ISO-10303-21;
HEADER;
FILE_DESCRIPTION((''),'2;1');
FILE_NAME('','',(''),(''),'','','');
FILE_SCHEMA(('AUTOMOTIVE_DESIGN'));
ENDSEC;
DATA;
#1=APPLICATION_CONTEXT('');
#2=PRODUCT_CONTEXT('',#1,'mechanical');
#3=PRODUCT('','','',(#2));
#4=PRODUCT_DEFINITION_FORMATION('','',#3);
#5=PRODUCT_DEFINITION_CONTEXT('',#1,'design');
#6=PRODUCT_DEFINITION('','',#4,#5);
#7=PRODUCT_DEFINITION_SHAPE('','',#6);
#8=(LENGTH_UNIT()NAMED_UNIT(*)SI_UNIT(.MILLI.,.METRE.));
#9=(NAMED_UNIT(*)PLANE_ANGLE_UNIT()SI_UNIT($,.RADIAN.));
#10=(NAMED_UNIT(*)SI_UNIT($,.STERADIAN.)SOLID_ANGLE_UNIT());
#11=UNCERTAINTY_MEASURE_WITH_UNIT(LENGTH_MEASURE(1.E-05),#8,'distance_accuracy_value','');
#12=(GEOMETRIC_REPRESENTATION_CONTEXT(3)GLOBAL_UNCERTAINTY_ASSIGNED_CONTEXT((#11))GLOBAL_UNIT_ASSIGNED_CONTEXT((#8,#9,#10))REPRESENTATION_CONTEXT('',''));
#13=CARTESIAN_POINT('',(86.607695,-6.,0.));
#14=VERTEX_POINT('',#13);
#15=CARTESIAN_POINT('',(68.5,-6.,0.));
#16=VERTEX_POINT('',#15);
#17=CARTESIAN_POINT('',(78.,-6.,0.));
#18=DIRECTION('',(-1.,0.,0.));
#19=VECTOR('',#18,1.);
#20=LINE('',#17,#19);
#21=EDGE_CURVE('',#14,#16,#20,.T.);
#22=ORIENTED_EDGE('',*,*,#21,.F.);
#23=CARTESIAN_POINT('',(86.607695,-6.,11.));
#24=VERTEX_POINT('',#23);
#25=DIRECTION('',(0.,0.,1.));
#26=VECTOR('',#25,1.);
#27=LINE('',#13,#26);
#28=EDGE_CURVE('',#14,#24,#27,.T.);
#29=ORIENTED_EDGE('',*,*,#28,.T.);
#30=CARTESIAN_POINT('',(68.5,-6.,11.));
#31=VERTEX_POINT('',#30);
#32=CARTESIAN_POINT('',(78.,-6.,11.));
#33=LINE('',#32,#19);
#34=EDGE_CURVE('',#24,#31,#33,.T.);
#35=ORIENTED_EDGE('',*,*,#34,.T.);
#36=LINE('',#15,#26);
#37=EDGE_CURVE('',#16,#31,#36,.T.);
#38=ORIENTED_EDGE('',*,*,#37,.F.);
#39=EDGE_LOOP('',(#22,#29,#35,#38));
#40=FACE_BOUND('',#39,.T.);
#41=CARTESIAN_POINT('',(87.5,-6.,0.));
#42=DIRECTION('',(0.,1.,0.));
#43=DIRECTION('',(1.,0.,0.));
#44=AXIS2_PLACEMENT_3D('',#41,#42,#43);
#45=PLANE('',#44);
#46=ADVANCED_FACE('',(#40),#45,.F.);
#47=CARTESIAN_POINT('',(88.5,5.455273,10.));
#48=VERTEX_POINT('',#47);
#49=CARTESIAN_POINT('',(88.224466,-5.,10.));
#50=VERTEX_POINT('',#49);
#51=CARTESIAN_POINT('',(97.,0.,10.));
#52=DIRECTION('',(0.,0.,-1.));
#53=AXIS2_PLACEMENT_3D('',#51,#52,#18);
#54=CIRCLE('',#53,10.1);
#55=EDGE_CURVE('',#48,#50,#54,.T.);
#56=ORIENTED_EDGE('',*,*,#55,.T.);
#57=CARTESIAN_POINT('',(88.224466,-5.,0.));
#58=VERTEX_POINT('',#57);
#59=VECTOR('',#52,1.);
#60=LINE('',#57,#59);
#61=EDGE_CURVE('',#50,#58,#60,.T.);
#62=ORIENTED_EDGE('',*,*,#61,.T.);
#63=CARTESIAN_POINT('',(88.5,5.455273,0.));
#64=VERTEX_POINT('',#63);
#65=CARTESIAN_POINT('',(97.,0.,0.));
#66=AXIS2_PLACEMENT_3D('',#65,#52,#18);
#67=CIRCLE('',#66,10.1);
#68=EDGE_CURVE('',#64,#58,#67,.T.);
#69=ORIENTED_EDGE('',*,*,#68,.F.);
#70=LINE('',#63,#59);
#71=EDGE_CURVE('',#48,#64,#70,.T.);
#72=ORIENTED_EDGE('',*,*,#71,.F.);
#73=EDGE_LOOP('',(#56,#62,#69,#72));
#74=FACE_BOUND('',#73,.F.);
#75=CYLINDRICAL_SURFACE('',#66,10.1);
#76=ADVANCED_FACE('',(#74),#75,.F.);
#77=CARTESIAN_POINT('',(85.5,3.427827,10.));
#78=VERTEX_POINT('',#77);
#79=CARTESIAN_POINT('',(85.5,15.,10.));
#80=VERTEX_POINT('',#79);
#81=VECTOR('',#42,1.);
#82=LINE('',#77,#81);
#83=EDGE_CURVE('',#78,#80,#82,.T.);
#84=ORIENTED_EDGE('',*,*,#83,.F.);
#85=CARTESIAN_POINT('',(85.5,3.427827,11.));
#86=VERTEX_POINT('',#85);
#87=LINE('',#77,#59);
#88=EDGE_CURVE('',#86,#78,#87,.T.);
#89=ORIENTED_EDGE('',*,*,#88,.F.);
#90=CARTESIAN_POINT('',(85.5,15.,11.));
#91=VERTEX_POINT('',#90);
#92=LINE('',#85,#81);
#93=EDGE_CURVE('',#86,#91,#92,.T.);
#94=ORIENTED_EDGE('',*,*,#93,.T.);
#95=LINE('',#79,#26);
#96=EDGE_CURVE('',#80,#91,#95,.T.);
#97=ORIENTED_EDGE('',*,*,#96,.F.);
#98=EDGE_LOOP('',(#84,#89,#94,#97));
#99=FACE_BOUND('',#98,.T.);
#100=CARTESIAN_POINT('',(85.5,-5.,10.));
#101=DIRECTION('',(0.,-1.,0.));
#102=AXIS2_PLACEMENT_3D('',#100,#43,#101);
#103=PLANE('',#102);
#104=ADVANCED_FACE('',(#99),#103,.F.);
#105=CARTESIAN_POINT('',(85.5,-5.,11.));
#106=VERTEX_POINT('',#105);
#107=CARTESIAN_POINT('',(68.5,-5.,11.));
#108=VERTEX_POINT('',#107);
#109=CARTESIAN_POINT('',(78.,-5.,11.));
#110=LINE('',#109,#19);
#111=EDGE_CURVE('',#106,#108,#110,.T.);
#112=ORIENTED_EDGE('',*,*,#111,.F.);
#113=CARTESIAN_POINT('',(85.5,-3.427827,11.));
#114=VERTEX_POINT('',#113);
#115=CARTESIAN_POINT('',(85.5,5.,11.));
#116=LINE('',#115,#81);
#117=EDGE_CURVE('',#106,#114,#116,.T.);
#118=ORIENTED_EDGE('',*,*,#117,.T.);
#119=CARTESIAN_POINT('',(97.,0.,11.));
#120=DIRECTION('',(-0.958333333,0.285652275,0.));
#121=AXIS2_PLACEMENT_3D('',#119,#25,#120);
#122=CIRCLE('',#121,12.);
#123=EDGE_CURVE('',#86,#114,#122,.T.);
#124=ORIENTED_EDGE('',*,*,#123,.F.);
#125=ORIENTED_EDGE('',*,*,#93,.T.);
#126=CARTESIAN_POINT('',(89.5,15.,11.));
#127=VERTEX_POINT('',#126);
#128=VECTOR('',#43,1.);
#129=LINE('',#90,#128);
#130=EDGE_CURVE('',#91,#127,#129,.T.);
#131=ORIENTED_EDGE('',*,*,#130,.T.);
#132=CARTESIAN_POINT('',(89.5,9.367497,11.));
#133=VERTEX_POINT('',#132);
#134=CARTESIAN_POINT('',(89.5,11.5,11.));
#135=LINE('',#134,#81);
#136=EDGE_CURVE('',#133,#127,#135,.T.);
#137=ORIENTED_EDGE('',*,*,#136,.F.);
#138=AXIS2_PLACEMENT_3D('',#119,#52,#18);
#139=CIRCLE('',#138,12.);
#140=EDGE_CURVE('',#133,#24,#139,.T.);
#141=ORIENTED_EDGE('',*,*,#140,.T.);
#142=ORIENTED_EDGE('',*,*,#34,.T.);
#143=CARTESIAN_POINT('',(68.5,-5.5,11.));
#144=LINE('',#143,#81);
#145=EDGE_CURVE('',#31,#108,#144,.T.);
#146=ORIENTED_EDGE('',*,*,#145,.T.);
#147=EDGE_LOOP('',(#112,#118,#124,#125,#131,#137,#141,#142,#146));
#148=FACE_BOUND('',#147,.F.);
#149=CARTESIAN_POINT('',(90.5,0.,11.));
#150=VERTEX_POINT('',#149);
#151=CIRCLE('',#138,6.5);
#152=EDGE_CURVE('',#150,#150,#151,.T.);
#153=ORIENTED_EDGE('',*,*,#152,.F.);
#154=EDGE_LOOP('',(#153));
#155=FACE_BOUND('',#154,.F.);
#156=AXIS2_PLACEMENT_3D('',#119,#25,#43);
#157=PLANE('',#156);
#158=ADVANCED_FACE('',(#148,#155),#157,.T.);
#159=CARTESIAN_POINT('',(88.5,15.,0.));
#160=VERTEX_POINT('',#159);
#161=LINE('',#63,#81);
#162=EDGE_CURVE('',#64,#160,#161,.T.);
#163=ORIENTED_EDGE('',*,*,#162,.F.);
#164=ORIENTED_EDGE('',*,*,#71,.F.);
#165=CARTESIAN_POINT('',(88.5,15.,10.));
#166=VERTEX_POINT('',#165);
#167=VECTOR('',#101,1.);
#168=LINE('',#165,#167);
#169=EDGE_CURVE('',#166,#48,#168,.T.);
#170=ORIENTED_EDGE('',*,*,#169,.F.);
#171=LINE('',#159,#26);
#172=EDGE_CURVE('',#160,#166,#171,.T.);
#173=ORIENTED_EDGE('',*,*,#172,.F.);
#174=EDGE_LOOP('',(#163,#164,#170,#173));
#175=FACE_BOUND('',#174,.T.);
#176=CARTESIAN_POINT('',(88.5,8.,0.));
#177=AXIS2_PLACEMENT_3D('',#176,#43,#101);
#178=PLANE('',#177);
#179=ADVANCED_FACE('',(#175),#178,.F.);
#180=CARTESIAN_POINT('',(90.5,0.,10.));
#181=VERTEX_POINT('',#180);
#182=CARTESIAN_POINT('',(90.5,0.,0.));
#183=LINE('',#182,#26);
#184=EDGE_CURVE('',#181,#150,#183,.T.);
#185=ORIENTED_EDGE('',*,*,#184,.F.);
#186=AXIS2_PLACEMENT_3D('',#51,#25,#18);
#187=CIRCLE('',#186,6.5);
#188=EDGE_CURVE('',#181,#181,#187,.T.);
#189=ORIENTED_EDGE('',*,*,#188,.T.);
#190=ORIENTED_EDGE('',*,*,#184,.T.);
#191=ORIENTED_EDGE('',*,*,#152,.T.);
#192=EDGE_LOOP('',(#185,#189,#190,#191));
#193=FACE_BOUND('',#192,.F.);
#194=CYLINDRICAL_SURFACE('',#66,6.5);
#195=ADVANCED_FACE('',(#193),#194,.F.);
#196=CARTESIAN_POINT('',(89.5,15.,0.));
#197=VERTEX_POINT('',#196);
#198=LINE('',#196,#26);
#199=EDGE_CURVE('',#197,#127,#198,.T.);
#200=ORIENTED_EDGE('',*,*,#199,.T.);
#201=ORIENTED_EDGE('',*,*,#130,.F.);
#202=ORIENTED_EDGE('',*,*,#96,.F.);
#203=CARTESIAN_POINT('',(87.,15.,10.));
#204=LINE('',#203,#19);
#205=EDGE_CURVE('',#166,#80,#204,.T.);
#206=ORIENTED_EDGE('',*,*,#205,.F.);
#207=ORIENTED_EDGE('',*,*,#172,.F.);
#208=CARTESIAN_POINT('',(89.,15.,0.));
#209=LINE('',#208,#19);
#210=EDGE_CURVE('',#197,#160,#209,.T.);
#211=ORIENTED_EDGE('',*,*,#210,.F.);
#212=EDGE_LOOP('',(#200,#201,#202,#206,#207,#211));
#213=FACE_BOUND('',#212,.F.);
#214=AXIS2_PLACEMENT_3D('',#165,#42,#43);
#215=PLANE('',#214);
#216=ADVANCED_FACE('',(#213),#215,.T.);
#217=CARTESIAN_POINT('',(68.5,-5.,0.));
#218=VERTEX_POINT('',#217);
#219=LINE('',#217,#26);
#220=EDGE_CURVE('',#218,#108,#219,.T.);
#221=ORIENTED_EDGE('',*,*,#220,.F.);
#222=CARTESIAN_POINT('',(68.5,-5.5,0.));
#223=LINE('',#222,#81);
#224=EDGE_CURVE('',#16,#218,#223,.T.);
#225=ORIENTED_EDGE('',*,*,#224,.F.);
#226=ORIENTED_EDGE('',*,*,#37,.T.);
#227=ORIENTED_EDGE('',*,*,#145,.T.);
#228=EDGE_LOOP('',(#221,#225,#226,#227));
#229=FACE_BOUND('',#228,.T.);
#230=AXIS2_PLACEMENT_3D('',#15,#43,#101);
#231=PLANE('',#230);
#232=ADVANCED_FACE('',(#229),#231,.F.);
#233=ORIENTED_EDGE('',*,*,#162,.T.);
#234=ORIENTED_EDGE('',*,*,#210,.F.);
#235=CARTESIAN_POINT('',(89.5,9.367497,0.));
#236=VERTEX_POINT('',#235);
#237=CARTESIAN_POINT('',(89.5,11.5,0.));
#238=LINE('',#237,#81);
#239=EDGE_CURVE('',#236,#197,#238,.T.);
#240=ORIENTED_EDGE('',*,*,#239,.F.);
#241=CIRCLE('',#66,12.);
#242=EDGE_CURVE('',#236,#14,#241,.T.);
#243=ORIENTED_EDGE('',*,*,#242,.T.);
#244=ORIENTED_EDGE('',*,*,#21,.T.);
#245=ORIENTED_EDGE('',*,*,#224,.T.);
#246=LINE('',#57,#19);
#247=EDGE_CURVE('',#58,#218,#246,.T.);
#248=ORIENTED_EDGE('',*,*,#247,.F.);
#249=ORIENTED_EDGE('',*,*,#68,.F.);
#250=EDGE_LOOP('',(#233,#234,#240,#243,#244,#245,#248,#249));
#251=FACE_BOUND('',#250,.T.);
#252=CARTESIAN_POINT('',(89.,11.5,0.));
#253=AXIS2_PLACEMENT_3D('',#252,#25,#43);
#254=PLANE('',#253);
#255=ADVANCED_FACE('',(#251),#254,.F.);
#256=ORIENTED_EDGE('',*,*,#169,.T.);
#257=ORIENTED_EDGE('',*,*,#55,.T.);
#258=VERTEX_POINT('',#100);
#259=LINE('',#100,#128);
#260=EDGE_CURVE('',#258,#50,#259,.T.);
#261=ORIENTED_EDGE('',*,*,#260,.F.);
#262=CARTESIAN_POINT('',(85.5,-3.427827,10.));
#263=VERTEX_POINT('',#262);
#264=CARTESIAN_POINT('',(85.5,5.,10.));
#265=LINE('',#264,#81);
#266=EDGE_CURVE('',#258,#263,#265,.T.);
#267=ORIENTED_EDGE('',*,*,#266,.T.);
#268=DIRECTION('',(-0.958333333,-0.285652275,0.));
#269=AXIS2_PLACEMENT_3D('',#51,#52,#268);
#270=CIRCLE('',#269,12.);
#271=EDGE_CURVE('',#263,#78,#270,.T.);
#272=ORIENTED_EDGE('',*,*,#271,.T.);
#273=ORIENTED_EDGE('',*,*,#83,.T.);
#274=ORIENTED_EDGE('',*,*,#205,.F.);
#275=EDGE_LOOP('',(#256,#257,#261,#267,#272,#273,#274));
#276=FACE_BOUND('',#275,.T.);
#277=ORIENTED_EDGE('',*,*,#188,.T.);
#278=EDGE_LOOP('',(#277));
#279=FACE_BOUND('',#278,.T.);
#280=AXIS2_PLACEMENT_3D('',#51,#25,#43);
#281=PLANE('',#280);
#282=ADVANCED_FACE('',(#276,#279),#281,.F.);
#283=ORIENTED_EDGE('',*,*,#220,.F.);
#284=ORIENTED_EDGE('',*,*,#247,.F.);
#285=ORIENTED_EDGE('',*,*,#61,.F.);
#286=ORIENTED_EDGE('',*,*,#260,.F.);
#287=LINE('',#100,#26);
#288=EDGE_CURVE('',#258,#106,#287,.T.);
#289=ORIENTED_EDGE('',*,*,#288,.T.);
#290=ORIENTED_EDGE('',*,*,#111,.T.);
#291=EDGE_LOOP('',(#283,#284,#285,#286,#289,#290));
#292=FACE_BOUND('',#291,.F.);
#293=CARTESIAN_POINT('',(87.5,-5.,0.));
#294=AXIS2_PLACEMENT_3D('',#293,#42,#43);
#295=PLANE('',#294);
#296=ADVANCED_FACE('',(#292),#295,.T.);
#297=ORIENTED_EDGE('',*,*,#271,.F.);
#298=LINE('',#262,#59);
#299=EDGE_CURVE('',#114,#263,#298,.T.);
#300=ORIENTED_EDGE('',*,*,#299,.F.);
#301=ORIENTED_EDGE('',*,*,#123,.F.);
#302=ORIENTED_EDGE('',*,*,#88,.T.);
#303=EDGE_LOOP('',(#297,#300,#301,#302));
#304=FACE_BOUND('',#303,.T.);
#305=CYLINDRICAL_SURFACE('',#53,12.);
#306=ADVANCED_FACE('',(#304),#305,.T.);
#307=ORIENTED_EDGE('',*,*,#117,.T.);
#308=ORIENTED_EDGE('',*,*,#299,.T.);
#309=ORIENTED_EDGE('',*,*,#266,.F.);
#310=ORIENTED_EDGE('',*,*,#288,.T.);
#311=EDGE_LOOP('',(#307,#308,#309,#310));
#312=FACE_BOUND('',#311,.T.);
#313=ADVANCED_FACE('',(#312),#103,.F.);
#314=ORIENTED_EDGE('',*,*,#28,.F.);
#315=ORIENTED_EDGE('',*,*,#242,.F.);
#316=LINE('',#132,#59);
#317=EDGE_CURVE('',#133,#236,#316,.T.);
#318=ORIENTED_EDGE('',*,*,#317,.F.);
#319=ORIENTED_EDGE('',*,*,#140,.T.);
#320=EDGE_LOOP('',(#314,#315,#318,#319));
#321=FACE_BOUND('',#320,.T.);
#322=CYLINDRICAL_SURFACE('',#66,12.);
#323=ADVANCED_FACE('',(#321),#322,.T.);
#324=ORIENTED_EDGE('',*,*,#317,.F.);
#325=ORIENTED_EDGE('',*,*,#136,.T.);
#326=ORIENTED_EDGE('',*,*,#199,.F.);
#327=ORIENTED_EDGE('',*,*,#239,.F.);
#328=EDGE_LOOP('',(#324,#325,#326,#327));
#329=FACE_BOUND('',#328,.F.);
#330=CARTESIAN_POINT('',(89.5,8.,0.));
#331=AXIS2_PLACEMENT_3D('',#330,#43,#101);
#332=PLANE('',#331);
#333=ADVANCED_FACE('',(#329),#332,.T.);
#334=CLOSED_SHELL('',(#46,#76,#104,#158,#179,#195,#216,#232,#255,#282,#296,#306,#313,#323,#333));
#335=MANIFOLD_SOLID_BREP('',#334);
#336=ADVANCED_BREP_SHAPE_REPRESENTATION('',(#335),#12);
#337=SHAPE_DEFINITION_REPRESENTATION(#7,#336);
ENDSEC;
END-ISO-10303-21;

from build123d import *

# Parameters (mm, degrees)
CYLINDER040_R     = 6.5
CYLINDER040_DEPTH = 11
CYLINDER026_R     = 2.5
CYLINDER026_DEPTH = 11
CYLINDER025_R     = 2.5
CYLINDER025_DEPTH = 11
BOX006_W          = 1
BOX006_H          = 7
BOX006_DEPTH      = 11
BOX_W             = 3
BOX_H             = 20
BOX_DEPTH         = 1
CYLINDER024_R     = 12
CYLINDER024_DEPTH = 1
PAD011_DEPTH      = 10
BOX005_W          = 177
BOX005_H          = 100
BOX005_DEPTH      = 10
CYLINDER018_R     = 7.5
CYLINDER018_DEPTH = 10
CYLINDER016_R     = 10
CYLINDER016_DEPTH = 10
CYLINDER017_R     = 7.5
CYLINDER017_DEPTH = 10
CYLINDER019_R     = 10
CYLINDER019_DEPTH = 10
PAD009_DEPTH      = 6.5
PAD008_DEPTH      = 4
PAD010_DEPTH      = 10
CYLINDER021_R     = 7.5
CYLINDER021_DEPTH = 10
CYLINDER020_R     = 10
CYLINDER020_DEPTH = 10
CYLINDER022_R     = 7.5
CYLINDER022_DEPTH = 10
CYLINDER023_R     = 10
CYLINDER023_DEPTH = 10
TUBE_R            = 12
TUBE_R_2          = 10.1
TUBE_DEPTH        = 10
BOX007_W          = 19
BOX007_H          = 1
BOX007_DEPTH      = 11


with BuildPart() as cilindro040:
    # Cylinder040 → Cylinder040 (new body)
    with BuildSketch(Plane(origin=(-97, 0, 0), x_dir=(1, 0, 0), z_dir=(0, 0, 1))):
        Circle(CYLINDER040_R)
    extrude(amount=CYLINDER040_DEPTH)


with BuildPart() as cilindro026:
    # Cylinder026 → Cylinder026 (new body)
    with BuildSketch(Plane(origin=(-83, 10, 0), x_dir=(1, 0, 0), z_dir=(0, 0, 1))):
        Circle(CYLINDER026_R)
    extrude(amount=CYLINDER026_DEPTH)


with BuildPart() as cilindro025:
    # Cylinder025 → Cylinder025 (new body)
    with BuildSketch(Plane(origin=(-75, 0, 0), x_dir=(1, 0, 0), z_dir=(0, 0, 1))):
        Circle(CYLINDER025_R)
    extrude(amount=CYLINDER025_DEPTH)


with BuildPart() as cubo002:
    # Box006 → Box006 (new body)
    with BuildSketch(Plane(origin=(-89.5, 8, 0), x_dir=(1, 0, 0), z_dir=(0, 0, 1))):
        with Locations((0.5, 3.5)):
            Rectangle(BOX006_W, BOX006_H)
    extrude(amount=BOX006_DEPTH)


with BuildPart() as cubo001:
    # Box → Box (new body)
    with BuildSketch(Plane(origin=(-88.5, -5, 10), x_dir=(1, 0, 0), z_dir=(0, 0, 1))):
        with Locations((1.5, 10)):
            Rectangle(BOX_W, BOX_H)
    extrude(amount=BOX_DEPTH)


with BuildPart() as cilindro024:
    # Cylinder024 → Cylinder024 (new body)
    with BuildSketch(Plane(origin=(-97, 0, 10), x_dir=(1, 0, 0), z_dir=(0, 0, 1))):
        Circle(CYLINDER024_R)
    extrude(amount=CYLINDER024_DEPTH)


with BuildPart() as body008:
    # Sketch011 → Pad011 (new body)
    with BuildSketch(Plane.XY):
        Polygon((8.5, 4.907477), (0, 9.814955), (-8.5, 4.907477), (-8.5, -4.907477), (0, -9.814955), (8.5, -4.907477), align=None)
    extrude(amount=PAD011_DEPTH)


with BuildPart() as body008_1:
    # Body008 placement: moved
    add(body008.part.moved(Location((0, 45.1, 0))))


with BuildPart() as cut018:
    # Box005 → Box005 (new body)
    with BuildSketch(Plane(origin=(-88.5, -5, 0), x_dir=(1, 0, 0), z_dir=(0, 0, 1))):
        with Locations((88.5, 50)):
            Rectangle(BOX005_W, BOX005_H)
    extrude(amount=BOX005_DEPTH)

    # Cut018: cut Body008
    add(body008_1.part, mode=Mode.SUBTRACT)


with BuildPart() as cilindro018:
    # Cylinder018 → Cylinder018 (new body)
    with BuildSketch(Plane(origin=(0, 20, 0), x_dir=(1, 0, 0), z_dir=(0, 0, 1))):
        Circle(CYLINDER018_R)
    extrude(amount=CYLINDER018_DEPTH)


with BuildPart() as unionbarra006:
    # Cylinder016 → Cylinder016 (new body)
    with BuildSketch(Plane(origin=(0, 20, 0), x_dir=(1, 0, 0), z_dir=(0, 0, 1))):
        Circle(CYLINDER016_R)
    extrude(amount=CYLINDER016_DEPTH)

    # Cut014: cut Cilindro018
    add(cilindro018.part, mode=Mode.SUBTRACT)


with BuildPart() as unionbarra006_1:
    # Cut014 placement: moved
    add(unionbarra006.part.moved(Location((-97, -20, 0))))


with BuildPart() as cilindro017:
    # Cylinder017 → Cylinder017 (new body)
    with BuildSketch(Plane(origin=(0, 20, 0), x_dir=(1, 0, 0), z_dir=(0, 0, 1))):
        Circle(CYLINDER017_R)
    extrude(amount=CYLINDER017_DEPTH)


with BuildPart() as fusion007:
    # Cylinder019 → Cylinder019 (new body)
    with BuildSketch(Plane(origin=(0, 20, 0), x_dir=(1, 0, 0), z_dir=(0, 0, 1))):
        Circle(CYLINDER019_R)
    extrude(amount=CYLINDER019_DEPTH)

    # Cut015: cut Cilindro017
    add(cilindro017.part, mode=Mode.SUBTRACT)


with BuildPart() as fusion007_1:
    # Cut015 placement: moved
    add(fusion007.part.moved(Location((97, -20, 0))))

    # Fusion007: union unionbarra006
    add(unionbarra006_1.part)


with BuildPart() as cuerpo005:
    # Sketch010 → Pad009 (new body)
    with BuildSketch(Plane.XY):
        Polygon((0, 7.505553), (-6.5, 3.752777), (-6.5, -3.752777), (0, -7.505553), (6.5, -3.752777), (6.5, 3.752777), align=None)
    extrude(amount=PAD009_DEPTH)

    # Sketch009 (on Face8 of Pad009) → Pad008 (join)
    with BuildSketch(Plane.XY.offset(6.5)):
        Polygon((0, 5.773503), (-5, 2.886751), (-5, -2.886751), (0, -5.773503), (5, -2.886751), (5, 2.886751), align=None)
    extrude(amount=PAD008_DEPTH)


with BuildPart() as cut016:
    # Sketch008 → Pad010 (new body)
    with BuildSketch(Plane.XY):
        Polygon((0, 9.814955), (-8.5, 4.907477), (-8.5, -4.907477), (0, -9.814955), (8.5, -4.907477), (8.5, 4.907477), align=None)
    extrude(amount=PAD010_DEPTH)

    # Cut016: cut Cuerpo005
    add(cuerpo005.part, mode=Mode.SUBTRACT)


with BuildPart() as cut016_1:
    # Cut016 placement: moved
    add(cut016.part.moved(Location((0, 45.1, 0))))


with BuildPart() as cilindro021:
    # Cylinder021 → Cylinder021 (new body)
    with BuildSketch(Plane(origin=(0, 20, 0), x_dir=(1, 0, 0), z_dir=(0, 0, 1))):
        Circle(CYLINDER021_R)
    extrude(amount=CYLINDER021_DEPTH)


with BuildPart() as unionbarra008:
    # Cylinder020 → Cylinder020 (new body)
    with BuildSketch(Plane(origin=(0, 20, 0), x_dir=(1, 0, 0), z_dir=(0, 0, 1))):
        Circle(CYLINDER020_R)
    extrude(amount=CYLINDER020_DEPTH)

    # Cut017: cut Cilindro021
    add(cilindro021.part, mode=Mode.SUBTRACT)


with BuildPart() as unionbarra008_1:
    # Cut017 placement: moved
    add(unionbarra008.part.moved(Location((-97, -20, 0))))


with BuildPart() as cilindro022:
    # Cylinder022 → Cylinder022 (new body)
    with BuildSketch(Plane(origin=(0, 20, 0), x_dir=(1, 0, 0), z_dir=(0, 0, 1))):
        Circle(CYLINDER022_R)
    extrude(amount=CYLINDER022_DEPTH)


with BuildPart() as fusion008:
    # Cylinder023 → Cylinder023 (new body)
    with BuildSketch(Plane(origin=(0, 20, 0), x_dir=(1, 0, 0), z_dir=(0, 0, 1))):
        Circle(CYLINDER023_R)
    extrude(amount=CYLINDER023_DEPTH)

    # Cut019: cut Cilindro022
    add(cilindro022.part, mode=Mode.SUBTRACT)


with BuildPart() as fusion008_1:
    # Cut019 placement: moved
    add(fusion008.part.moved(Location((97, -20, 0))))

    # Fusion009: union unionbarra008
    add(unionbarra008_1.part)


with BuildPart() as fusion008_2:
    # Fusion009 placement: moved
    add(fusion008_1.part.moved(Location((0, 90, 0))))

    # Fusion008: union Cut018, Fusion007, Cut016
    add(cut018.part)
    add(fusion007_1.part)
    add(cut016_1.part)


with BuildPart() as cut020:
    # Tube → Tube (new body)
    with BuildSketch(Plane(origin=(-97, 0, 0), x_dir=(1, 0, 0), z_dir=(0, 0, 1))):
        Circle(TUBE_R)
        Circle(TUBE_R_2, mode=Mode.SUBTRACT)
    extrude(amount=TUBE_DEPTH)

    # Cut020: cut Fusion008
    add(fusion008_2.part, mode=Mode.SUBTRACT)


with BuildPart() as cut034:
    # Box007 → Box007 (new body)
    with BuildSketch(Plane(origin=(-87.5, -6, 0), x_dir=(1, 0, 0), z_dir=(0, 0, 1))):
        with Locations((9.5, 0.5)):
            Rectangle(BOX007_W, BOX007_H)
    extrude(amount=BOX007_DEPTH)

    # Fusion010: union Cubo002, Cubo001, Cilindro024, Cut020
    add(cubo002.part)
    add(cubo001.part)
    add(cilindro024.part)
    add(cut020.part)

    # Cut021: cut Cilindro025
    add(cilindro025.part, mode=Mode.SUBTRACT)

    # Cut022: cut Cilindro026
    add(cilindro026.part, mode=Mode.SUBTRACT)

    # Cut034: cut Cilindro040
    add(cilindro040.part, mode=Mode.SUBTRACT)


with BuildPart() as part_mirroring:
    # Part__Mirroring: instance of Cut034
    add(cut034.part.mirror(Plane(origin=(0, 0, 0), x_dir=(0, -1, 0), z_dir=(1, 0, 0))))


solid = part_mirroring.part
